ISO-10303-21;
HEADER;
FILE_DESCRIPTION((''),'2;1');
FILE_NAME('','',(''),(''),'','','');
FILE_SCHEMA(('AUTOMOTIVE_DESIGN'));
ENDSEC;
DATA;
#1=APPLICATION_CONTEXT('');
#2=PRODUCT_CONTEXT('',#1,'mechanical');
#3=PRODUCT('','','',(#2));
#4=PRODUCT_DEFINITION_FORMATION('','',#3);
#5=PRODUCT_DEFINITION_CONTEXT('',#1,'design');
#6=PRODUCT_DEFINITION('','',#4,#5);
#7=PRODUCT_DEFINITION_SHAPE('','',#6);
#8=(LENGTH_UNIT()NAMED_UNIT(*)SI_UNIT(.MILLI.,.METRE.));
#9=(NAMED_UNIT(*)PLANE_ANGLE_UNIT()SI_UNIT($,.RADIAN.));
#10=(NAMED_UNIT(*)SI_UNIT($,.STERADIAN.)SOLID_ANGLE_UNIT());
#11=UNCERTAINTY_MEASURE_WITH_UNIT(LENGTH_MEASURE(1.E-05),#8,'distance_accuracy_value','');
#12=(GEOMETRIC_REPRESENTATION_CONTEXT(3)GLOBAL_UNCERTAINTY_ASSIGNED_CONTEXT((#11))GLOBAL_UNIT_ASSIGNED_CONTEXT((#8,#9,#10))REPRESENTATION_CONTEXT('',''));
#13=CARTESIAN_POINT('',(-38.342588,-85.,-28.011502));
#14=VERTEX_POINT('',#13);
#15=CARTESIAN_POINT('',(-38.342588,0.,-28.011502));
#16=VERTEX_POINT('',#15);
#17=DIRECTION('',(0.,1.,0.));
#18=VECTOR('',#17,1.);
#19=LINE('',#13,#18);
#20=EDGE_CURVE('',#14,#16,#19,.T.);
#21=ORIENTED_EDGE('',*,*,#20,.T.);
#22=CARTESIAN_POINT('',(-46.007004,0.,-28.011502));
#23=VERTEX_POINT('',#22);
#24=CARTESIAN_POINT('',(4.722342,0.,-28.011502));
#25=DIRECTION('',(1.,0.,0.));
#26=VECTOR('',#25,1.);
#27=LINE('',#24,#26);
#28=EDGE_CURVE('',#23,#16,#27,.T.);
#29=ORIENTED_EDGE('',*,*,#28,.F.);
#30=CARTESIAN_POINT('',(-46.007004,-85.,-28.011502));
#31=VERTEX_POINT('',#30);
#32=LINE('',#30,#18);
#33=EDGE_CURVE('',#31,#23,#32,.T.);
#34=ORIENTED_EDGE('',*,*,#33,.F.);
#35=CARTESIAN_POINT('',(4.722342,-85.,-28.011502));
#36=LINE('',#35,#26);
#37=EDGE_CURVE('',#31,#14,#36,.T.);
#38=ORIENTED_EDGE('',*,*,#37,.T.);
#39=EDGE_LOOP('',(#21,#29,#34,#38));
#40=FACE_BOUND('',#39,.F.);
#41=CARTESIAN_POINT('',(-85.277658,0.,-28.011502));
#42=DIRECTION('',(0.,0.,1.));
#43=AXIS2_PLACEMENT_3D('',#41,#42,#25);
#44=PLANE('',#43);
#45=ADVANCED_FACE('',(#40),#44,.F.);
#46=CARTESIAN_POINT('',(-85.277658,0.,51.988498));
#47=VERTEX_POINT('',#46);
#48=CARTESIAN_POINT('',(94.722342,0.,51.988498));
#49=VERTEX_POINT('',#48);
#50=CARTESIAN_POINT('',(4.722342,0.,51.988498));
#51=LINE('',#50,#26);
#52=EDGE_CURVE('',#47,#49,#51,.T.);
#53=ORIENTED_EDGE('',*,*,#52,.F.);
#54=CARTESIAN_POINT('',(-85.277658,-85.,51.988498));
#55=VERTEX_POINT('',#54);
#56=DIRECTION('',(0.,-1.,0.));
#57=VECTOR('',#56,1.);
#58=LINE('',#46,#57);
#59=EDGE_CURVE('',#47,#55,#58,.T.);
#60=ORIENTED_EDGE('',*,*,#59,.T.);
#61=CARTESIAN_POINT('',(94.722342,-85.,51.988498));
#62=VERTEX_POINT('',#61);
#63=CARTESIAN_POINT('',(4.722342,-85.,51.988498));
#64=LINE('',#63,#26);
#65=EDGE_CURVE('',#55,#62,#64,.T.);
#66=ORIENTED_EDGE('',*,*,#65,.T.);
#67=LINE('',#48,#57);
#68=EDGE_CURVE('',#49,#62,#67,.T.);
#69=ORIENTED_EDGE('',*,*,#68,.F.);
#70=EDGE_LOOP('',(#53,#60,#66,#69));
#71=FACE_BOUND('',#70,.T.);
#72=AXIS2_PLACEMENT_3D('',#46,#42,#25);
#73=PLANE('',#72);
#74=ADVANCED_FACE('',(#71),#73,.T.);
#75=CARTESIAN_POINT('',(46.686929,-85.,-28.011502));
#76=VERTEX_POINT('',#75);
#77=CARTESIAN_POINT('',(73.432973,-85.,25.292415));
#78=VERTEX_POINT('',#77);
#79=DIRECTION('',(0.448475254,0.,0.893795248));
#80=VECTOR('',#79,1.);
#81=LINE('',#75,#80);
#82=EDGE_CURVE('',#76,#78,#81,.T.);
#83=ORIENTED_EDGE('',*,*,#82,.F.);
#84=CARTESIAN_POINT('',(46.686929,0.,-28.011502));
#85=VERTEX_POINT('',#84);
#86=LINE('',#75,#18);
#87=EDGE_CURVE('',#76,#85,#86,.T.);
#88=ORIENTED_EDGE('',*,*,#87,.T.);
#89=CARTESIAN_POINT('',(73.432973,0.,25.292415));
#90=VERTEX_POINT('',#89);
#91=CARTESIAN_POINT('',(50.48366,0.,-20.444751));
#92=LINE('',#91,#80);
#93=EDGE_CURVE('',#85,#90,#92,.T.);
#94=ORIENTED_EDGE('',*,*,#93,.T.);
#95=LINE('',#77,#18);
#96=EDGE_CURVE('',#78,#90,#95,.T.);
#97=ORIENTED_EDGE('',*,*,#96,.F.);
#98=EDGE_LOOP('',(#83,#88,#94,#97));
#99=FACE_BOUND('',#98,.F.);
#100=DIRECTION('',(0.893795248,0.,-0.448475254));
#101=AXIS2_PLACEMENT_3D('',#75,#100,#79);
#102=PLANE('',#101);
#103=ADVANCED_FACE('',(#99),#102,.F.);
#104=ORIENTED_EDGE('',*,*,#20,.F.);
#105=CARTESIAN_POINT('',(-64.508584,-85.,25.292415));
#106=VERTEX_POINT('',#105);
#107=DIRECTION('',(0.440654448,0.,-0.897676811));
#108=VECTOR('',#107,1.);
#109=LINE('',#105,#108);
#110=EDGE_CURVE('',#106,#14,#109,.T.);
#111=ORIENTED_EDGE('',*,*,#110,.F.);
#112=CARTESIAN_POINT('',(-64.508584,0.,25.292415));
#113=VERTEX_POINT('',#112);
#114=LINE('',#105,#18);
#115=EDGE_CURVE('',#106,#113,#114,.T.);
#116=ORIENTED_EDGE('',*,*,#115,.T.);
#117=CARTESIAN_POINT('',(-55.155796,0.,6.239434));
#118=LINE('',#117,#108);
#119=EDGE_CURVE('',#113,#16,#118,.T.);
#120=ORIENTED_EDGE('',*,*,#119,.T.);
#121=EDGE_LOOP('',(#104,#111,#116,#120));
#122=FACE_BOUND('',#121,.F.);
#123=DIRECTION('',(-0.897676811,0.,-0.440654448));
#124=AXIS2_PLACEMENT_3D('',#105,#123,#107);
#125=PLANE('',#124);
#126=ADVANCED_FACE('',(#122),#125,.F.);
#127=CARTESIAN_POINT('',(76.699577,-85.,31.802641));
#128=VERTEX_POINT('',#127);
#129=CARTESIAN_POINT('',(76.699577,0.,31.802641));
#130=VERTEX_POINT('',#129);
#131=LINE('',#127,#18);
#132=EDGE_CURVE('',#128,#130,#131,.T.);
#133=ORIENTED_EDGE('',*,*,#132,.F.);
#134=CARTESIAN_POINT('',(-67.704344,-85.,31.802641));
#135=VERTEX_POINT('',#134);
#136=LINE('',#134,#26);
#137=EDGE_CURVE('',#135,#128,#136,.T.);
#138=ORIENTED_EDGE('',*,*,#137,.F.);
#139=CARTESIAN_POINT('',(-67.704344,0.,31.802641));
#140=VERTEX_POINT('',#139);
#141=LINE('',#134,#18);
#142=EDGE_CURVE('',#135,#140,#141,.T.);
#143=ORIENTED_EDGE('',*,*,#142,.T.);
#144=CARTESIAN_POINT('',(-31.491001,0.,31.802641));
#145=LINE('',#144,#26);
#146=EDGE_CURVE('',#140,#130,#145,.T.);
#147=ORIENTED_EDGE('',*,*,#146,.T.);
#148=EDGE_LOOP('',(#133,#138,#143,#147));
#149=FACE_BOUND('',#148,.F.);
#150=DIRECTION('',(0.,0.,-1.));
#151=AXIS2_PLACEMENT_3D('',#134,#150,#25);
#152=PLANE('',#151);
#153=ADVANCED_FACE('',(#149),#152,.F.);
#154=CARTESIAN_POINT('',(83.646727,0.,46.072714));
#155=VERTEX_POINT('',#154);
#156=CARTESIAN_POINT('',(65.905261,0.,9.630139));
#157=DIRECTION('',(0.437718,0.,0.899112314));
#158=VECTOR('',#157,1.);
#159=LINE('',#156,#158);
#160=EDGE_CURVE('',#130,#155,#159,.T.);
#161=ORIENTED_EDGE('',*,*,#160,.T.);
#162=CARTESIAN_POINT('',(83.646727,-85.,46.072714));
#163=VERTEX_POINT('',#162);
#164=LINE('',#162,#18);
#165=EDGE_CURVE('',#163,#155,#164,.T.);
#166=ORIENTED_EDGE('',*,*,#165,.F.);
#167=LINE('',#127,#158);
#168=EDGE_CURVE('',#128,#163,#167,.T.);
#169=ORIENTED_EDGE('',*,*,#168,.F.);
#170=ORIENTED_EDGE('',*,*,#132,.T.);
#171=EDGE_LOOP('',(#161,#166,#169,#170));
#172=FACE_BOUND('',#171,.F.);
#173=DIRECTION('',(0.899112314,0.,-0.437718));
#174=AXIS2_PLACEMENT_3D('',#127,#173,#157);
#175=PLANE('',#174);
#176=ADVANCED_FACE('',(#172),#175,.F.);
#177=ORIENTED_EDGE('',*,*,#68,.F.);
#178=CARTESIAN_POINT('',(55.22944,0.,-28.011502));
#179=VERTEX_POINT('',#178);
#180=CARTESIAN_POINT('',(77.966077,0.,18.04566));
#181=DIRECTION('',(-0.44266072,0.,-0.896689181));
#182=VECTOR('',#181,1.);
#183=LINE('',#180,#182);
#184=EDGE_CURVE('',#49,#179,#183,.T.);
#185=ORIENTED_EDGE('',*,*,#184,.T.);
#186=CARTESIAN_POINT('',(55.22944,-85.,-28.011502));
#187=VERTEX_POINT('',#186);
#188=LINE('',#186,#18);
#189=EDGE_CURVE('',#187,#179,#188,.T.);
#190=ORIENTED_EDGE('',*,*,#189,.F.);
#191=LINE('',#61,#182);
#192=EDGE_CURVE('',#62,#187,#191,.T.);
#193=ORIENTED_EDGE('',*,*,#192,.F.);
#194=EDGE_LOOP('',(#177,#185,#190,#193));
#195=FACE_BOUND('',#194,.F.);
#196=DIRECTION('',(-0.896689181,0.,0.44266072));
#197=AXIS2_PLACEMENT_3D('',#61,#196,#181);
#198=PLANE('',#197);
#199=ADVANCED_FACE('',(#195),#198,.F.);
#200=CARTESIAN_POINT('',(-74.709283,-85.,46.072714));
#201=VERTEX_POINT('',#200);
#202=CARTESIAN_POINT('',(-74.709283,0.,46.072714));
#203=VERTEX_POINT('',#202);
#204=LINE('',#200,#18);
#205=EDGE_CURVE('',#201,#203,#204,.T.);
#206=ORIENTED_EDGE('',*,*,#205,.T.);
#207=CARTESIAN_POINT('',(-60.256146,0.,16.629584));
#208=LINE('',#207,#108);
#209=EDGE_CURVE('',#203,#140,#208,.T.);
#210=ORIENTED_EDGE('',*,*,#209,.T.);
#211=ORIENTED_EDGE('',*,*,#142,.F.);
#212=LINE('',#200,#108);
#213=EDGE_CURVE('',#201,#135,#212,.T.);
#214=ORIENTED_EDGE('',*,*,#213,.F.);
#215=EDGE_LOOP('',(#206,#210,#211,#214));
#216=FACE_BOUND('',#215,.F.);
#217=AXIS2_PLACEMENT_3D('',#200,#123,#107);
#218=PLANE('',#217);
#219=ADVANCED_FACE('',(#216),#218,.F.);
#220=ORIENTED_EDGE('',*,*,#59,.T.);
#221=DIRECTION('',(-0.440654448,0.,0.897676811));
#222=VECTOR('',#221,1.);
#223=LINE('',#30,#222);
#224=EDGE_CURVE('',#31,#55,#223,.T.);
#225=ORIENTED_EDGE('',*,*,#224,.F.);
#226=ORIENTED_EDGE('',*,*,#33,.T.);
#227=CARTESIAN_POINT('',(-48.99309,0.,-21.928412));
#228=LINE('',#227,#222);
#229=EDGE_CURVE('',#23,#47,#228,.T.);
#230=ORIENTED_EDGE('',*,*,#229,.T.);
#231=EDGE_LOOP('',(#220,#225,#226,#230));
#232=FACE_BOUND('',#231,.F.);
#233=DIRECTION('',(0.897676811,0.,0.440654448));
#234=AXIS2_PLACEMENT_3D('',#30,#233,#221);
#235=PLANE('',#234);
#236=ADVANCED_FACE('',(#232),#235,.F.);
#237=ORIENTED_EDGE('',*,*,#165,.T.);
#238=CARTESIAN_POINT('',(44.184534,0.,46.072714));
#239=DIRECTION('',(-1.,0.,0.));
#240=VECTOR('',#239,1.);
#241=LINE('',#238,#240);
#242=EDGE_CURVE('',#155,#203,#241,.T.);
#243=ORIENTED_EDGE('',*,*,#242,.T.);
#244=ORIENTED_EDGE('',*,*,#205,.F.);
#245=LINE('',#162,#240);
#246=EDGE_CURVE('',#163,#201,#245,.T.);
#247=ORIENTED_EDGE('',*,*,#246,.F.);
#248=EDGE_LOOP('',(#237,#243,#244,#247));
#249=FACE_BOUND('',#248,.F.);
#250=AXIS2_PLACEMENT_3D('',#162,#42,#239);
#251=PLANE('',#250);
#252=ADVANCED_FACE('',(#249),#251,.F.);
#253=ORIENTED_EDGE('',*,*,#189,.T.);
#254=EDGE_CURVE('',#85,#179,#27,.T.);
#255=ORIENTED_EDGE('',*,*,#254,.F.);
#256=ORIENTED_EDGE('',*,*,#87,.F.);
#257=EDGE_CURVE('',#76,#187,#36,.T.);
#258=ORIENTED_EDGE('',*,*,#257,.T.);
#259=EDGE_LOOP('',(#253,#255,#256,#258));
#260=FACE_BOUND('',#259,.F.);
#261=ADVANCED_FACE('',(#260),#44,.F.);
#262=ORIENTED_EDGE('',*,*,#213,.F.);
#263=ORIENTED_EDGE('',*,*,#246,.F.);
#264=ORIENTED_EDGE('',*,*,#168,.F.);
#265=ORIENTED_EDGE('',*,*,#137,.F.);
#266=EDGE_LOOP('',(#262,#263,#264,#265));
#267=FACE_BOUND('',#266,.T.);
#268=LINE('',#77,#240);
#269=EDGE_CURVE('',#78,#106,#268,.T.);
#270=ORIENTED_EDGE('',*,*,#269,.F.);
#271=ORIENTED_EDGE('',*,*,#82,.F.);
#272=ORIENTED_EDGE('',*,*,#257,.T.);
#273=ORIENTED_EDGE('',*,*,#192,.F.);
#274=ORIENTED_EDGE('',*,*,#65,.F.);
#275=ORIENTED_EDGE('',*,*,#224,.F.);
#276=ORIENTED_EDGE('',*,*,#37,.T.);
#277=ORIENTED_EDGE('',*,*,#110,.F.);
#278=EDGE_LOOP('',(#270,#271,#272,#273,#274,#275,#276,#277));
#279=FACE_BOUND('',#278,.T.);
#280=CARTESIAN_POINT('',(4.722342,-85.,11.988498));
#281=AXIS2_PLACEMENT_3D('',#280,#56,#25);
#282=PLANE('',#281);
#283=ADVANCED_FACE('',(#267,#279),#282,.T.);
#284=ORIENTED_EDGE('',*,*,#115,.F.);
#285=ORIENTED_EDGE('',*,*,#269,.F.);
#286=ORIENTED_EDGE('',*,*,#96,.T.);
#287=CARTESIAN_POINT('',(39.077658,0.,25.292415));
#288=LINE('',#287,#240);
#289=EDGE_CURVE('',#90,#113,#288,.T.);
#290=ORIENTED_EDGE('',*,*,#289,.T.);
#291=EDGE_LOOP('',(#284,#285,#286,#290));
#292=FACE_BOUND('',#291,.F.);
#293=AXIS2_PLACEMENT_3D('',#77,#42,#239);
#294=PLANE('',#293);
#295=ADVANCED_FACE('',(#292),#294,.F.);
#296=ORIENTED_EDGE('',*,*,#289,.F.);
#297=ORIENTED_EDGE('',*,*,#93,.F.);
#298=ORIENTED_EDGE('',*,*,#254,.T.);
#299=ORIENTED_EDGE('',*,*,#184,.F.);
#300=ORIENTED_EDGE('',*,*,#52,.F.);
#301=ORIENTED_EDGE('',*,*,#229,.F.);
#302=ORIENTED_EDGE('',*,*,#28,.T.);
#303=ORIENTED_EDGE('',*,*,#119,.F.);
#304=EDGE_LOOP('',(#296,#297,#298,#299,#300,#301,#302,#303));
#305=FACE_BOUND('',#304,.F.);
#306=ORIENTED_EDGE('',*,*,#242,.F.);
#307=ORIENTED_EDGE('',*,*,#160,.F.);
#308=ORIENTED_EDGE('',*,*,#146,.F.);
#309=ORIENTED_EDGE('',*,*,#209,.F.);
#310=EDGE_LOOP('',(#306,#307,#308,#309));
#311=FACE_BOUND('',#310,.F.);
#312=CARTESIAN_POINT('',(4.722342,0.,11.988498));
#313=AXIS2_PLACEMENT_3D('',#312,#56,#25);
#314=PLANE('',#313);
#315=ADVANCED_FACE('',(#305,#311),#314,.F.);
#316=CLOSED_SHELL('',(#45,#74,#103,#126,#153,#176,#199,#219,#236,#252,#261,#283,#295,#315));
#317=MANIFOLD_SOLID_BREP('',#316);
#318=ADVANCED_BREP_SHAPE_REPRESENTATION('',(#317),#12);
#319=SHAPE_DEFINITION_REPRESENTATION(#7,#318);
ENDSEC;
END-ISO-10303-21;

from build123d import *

# Parameters (mm, degrees)
F0_W     = 180
F0_H     = 80
F1_DEPTH = 85
F3_DEPTH = 85.001
F5_DEPTH = 85.001


with BuildPart() as f1:
    # F0 (on Front) → F1 (new body)
    with BuildSketch(Plane.XZ):
        with Locations((4.7223418951, 11.9884983084)):
            Rectangle(F0_W, F0_H)
    extrude(amount=F1_DEPTH)

    # F2 (on face) → F3 (cut, through all)
    with BuildSketch(Plane.XZ.offset(85)):
        Polygon((-46.0070036352, -28.0115016916), (-85.2776581049, 51.9884983084), (-85.2776581049, -28.0115016916), align=None)
        Polygon((94.7223418951, -28.0115016916), (94.7223418951, 51.9884983084), (55.2294403315, -28.0115016916), align=None)
    extrude(amount=-F3_DEPTH, mode=Mode.SUBTRACT)

    # F4 (on face) → F5 (cut, through all)
    with BuildSketch(Plane.XZ.offset(85)):
        Polygon((-74.7092828557, 46.072713804), (-67.7043439121, 31.8026405634), (76.6995772719, 31.8026405634), (83.6467270564, 46.072713804), align=None)
        Polygon((73.4329734772, 25.2924152588), (-64.5085838063, 25.2924152588), (-38.3425875008, -28.0115016916), (46.6869287193, -28.0115016916), align=None)
    extrude(amount=-F5_DEPTH, mode=Mode.SUBTRACT)


solid = f1.part
